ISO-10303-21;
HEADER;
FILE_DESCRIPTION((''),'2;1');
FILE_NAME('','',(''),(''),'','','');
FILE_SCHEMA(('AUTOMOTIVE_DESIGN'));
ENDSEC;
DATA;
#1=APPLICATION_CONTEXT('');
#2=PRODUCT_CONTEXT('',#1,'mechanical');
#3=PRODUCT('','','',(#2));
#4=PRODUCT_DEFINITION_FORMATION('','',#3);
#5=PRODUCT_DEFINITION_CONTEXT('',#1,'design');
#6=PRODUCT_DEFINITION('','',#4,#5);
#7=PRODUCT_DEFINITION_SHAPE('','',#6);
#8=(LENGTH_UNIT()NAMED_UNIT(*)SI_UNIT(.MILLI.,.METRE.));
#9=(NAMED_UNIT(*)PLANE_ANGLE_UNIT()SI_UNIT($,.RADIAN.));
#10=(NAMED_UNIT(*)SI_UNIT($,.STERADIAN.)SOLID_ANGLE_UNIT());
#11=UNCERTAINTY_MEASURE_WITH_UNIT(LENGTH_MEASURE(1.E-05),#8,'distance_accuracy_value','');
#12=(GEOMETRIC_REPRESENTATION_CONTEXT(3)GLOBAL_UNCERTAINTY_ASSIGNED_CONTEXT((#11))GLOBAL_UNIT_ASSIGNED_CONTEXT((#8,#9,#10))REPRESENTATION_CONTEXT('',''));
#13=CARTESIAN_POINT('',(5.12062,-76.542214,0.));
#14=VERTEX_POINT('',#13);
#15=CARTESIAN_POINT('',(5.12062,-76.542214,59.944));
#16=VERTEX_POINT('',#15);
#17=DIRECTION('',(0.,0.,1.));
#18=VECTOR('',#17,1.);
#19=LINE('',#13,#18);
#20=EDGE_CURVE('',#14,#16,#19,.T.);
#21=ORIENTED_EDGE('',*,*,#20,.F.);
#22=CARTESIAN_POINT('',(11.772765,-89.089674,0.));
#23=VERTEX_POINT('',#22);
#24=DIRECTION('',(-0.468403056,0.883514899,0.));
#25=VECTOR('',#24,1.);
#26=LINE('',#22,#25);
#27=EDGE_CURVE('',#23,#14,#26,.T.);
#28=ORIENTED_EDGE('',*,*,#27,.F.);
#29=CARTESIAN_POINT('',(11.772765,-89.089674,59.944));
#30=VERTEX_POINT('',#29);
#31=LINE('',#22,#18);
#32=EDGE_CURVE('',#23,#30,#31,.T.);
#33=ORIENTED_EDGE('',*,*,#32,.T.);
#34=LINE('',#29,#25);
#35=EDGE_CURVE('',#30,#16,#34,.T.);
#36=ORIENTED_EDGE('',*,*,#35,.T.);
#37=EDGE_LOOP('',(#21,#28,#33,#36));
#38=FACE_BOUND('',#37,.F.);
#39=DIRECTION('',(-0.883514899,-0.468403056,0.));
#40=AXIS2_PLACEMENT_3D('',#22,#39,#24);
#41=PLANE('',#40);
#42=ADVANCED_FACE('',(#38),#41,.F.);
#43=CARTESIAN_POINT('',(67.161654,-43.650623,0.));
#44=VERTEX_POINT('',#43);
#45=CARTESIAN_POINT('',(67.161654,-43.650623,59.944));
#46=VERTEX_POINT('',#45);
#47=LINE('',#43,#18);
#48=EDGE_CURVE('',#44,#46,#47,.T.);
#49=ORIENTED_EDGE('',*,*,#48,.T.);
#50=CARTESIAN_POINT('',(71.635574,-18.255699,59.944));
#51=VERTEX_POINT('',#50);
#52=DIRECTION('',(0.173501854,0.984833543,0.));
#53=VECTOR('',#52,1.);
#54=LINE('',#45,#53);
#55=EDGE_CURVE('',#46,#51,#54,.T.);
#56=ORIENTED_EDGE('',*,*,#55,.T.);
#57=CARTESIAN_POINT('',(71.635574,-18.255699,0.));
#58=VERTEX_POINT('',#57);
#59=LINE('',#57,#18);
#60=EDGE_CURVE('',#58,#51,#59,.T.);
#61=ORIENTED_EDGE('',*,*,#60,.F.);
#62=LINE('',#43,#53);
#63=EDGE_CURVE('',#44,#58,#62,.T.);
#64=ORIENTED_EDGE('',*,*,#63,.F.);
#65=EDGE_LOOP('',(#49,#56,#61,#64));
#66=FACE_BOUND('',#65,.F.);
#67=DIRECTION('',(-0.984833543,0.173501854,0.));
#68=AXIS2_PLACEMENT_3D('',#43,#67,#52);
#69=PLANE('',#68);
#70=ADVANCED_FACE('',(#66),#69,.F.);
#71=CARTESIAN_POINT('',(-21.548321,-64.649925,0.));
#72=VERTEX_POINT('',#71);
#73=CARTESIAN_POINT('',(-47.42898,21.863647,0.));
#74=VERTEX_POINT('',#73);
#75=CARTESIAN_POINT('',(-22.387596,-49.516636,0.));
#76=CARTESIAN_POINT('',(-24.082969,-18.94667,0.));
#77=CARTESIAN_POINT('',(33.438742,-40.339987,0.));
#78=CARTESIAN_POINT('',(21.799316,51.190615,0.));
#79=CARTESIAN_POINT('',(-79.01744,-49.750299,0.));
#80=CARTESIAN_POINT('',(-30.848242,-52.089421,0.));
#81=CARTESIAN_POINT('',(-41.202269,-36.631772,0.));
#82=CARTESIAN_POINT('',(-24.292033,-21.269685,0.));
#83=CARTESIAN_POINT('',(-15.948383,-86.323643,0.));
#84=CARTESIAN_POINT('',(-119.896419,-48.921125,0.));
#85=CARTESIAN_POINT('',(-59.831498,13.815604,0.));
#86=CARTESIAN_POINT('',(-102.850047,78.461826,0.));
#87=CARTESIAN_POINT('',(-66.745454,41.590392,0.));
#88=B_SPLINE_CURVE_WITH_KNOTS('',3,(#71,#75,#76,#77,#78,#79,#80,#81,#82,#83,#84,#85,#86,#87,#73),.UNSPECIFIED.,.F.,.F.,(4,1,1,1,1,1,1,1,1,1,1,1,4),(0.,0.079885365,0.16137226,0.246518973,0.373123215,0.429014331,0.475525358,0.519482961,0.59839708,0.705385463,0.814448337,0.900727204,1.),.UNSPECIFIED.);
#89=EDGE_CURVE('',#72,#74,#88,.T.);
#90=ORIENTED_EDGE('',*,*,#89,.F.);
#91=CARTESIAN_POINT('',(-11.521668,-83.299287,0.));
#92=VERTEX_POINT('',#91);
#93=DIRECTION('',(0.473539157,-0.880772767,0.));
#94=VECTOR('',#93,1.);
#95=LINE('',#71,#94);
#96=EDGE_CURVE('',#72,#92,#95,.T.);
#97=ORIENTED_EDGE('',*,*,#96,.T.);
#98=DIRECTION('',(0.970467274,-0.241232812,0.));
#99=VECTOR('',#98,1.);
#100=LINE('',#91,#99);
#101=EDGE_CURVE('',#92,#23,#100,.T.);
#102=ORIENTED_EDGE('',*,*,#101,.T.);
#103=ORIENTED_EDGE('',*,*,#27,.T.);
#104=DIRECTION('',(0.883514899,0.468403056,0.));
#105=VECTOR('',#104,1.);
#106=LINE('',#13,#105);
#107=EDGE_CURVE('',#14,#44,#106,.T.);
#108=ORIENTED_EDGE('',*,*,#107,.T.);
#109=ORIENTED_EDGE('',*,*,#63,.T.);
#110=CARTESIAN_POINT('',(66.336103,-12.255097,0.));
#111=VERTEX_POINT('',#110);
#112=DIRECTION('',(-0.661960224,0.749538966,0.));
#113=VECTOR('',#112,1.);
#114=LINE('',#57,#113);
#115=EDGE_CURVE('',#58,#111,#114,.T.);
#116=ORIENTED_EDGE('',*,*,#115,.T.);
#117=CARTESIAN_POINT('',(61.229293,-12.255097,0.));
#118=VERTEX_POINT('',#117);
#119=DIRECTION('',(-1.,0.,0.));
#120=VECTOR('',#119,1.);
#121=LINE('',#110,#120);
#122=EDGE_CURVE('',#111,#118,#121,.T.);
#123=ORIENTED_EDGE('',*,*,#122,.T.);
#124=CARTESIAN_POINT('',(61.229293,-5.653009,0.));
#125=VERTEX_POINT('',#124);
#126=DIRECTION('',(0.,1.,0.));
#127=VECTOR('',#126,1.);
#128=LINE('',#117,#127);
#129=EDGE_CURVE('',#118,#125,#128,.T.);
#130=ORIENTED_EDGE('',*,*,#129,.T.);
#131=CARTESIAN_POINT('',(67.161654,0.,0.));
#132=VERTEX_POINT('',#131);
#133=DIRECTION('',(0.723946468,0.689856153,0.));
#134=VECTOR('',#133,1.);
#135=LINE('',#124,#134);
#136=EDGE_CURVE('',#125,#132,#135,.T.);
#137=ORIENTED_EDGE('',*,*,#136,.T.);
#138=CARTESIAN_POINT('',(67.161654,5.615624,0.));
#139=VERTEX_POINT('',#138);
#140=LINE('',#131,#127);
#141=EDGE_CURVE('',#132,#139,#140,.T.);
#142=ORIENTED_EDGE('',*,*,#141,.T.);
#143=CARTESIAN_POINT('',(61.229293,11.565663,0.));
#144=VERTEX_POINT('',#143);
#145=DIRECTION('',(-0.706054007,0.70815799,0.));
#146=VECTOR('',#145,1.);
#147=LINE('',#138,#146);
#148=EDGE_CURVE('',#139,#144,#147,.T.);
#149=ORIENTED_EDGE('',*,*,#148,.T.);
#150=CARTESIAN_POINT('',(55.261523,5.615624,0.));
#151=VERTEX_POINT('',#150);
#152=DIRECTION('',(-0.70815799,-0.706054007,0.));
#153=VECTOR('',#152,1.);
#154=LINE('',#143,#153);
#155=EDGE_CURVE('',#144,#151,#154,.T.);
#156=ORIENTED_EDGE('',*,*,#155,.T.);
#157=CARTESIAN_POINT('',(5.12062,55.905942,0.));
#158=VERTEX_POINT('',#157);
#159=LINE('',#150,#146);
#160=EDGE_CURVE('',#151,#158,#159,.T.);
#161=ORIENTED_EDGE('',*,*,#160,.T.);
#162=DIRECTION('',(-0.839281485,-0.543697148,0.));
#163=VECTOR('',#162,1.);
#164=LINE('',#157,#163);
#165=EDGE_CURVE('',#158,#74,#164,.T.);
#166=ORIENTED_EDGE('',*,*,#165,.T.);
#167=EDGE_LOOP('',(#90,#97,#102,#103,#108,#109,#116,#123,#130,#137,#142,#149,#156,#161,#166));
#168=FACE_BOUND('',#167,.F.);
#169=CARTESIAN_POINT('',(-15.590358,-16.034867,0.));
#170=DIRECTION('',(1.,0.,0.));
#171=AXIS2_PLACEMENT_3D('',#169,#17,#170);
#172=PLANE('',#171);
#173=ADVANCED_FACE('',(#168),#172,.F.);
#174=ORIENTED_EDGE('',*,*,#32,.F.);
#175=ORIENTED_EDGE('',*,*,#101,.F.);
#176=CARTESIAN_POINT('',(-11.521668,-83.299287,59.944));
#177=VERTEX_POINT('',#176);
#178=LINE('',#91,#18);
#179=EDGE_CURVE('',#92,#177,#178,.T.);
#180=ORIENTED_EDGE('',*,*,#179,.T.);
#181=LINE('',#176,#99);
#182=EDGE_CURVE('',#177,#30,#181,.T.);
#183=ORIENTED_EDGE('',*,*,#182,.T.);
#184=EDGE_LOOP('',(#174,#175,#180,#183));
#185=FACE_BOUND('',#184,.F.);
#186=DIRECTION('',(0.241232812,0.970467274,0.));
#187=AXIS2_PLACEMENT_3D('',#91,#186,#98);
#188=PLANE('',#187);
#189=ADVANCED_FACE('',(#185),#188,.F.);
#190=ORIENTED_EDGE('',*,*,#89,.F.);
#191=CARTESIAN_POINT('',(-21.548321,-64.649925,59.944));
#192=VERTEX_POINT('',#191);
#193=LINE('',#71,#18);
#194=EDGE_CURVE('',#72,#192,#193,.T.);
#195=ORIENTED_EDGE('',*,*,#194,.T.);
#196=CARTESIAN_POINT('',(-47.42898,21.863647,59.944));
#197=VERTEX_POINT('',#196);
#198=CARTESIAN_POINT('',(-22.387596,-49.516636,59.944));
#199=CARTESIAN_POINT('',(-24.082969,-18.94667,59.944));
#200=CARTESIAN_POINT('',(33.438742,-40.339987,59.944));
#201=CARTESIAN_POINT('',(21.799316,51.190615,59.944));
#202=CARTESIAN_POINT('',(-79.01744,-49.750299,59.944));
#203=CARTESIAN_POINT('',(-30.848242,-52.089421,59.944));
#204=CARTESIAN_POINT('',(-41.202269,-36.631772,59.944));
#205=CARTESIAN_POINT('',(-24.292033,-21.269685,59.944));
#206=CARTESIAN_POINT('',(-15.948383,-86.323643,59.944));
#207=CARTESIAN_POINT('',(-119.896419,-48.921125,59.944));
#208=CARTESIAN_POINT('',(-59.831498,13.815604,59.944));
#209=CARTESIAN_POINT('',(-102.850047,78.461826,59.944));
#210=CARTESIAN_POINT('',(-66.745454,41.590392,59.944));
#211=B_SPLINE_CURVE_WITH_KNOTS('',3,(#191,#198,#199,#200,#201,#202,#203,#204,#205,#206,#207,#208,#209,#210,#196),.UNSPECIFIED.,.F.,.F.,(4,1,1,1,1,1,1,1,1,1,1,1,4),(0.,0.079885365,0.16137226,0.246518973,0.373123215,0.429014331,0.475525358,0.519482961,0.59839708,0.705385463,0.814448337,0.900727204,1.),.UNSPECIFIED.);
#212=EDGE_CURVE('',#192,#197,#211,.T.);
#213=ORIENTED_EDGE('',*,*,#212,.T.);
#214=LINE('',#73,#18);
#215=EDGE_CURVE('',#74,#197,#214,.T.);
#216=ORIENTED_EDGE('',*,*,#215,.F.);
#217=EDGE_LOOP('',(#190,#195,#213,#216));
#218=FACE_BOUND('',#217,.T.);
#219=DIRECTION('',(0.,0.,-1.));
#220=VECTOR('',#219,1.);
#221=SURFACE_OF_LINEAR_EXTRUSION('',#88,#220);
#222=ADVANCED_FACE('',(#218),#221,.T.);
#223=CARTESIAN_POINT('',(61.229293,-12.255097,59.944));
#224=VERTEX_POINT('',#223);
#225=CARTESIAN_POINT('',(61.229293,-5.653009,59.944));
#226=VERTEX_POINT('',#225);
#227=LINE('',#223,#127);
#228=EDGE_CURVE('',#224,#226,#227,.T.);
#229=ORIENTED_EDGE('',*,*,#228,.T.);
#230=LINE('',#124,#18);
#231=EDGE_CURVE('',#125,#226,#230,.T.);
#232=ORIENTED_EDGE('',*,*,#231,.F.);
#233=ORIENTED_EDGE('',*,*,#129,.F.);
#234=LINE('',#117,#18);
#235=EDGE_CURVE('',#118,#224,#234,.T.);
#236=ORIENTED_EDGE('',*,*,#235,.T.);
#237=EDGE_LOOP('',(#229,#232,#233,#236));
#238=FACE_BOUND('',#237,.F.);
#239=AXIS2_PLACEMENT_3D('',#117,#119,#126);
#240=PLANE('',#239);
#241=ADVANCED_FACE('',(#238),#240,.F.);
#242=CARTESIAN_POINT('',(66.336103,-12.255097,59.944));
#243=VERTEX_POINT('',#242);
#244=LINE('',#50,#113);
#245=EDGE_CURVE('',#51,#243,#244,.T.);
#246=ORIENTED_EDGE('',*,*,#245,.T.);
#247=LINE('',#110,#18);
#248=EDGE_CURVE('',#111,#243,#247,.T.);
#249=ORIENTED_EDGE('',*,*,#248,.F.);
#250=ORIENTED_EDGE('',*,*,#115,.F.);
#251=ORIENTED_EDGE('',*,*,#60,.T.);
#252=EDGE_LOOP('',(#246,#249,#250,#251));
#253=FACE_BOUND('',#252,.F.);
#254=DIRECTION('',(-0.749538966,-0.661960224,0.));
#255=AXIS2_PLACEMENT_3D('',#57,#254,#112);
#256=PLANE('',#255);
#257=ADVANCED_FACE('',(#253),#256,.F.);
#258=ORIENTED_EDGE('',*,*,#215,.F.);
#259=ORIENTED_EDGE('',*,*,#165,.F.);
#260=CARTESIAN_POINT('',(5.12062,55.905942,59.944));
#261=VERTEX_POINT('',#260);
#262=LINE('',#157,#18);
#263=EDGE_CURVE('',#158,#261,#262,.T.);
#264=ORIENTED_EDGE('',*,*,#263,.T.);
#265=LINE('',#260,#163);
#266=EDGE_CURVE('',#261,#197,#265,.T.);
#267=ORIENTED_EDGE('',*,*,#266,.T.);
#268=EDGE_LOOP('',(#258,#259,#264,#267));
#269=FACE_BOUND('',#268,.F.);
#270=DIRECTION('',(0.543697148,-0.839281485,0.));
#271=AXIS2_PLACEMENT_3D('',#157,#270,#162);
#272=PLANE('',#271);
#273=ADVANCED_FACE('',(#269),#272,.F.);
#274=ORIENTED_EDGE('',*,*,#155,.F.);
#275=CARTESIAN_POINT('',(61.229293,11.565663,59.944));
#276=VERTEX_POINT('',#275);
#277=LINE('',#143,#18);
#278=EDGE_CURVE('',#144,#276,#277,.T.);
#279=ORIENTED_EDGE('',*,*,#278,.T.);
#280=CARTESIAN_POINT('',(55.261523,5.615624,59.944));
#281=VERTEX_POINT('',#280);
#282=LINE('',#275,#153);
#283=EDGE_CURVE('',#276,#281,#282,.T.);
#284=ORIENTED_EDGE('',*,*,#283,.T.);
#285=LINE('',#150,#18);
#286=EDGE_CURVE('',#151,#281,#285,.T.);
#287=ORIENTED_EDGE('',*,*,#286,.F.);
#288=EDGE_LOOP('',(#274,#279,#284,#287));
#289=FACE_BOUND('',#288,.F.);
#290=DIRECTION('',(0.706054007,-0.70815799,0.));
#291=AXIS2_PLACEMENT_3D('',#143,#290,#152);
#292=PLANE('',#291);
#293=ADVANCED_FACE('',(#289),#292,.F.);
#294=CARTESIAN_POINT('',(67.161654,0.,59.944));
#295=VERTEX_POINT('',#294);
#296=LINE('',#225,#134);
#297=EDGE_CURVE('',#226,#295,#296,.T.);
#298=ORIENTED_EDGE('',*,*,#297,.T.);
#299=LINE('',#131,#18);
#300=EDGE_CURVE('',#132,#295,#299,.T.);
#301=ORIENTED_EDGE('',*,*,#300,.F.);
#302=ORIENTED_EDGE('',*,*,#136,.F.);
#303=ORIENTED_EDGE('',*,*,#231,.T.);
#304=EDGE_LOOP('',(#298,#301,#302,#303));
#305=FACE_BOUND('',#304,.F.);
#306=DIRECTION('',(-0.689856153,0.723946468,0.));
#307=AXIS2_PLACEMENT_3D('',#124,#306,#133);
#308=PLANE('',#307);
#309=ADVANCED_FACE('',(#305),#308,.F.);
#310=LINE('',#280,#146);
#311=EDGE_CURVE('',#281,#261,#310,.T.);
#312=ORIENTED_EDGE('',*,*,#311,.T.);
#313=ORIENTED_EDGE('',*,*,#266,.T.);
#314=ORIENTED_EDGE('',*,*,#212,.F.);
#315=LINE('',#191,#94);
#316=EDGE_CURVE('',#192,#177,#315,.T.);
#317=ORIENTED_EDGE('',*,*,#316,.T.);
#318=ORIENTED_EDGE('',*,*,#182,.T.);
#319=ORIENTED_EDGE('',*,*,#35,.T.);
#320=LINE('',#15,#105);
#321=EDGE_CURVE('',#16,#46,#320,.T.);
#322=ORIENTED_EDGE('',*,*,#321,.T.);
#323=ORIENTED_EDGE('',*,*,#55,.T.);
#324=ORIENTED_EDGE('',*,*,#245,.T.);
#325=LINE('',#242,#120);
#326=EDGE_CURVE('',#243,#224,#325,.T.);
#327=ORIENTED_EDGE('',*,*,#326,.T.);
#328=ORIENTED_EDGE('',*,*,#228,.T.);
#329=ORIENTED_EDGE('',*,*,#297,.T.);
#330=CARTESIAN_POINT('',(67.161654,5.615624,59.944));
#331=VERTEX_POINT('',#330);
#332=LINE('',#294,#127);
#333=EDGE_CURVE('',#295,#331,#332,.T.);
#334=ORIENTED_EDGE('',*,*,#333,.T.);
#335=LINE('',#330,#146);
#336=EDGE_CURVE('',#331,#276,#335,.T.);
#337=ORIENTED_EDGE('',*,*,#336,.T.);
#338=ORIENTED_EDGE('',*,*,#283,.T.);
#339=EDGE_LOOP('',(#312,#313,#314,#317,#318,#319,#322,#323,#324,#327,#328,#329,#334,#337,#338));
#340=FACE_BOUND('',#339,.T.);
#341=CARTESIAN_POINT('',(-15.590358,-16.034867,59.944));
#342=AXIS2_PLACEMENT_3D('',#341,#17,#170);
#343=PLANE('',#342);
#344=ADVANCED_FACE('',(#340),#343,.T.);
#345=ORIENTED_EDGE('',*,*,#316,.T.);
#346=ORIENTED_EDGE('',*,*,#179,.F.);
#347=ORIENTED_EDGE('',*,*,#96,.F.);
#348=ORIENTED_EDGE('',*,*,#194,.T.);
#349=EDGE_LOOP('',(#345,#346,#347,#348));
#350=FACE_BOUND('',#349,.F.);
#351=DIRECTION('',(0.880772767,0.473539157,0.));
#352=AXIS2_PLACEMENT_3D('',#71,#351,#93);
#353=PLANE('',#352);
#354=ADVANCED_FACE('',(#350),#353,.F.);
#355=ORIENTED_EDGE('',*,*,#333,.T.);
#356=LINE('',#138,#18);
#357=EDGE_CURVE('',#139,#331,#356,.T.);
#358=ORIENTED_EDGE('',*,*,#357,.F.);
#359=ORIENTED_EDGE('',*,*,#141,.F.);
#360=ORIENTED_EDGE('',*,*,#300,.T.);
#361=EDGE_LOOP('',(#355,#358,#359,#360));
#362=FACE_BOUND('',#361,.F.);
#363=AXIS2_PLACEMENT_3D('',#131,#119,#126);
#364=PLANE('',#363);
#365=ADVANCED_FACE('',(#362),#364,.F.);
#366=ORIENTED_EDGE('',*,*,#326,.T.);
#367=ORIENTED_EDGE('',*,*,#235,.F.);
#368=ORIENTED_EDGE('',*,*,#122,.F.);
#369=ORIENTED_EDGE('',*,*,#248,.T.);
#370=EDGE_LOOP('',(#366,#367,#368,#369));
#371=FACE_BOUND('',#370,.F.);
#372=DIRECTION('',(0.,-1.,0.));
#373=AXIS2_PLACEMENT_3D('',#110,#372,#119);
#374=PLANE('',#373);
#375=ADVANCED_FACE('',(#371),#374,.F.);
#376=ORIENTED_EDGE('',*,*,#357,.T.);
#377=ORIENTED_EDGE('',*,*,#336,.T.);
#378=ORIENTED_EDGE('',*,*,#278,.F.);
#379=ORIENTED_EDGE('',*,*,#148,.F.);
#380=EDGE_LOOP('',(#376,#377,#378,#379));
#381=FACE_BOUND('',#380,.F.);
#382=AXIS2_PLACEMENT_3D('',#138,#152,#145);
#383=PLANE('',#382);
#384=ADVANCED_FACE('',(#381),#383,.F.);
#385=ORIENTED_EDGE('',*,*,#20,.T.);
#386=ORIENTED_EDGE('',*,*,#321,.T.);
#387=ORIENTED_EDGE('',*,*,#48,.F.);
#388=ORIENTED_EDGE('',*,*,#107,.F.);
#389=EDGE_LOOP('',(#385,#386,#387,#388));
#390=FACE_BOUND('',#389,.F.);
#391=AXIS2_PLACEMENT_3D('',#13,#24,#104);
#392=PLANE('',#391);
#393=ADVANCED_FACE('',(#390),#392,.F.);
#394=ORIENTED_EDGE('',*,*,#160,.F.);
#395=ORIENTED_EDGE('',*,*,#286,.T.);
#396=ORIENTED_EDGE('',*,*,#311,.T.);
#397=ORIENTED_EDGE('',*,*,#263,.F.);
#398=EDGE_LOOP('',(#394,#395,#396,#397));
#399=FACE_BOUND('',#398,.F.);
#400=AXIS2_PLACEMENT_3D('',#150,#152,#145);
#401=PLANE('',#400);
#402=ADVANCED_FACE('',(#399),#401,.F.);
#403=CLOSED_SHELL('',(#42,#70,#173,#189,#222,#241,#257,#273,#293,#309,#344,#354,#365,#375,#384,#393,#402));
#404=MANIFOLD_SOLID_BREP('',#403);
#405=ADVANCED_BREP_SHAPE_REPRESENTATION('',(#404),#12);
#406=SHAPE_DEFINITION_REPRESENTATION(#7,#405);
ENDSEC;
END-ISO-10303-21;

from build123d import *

# Parameters (mm, degrees)
F1_DEPTH = 59.944


with BuildPart() as f1:
    # F0 (on Top) → F1 (new body)
    with BuildSketch(Plane.XY):
        with BuildLine():
            Line((5.1206201315, 55.9059418738), (-47.4289804697, 21.8636468053))
            add(Edge.make_bspline(
                [(-21.5483214706, -64.6499246359), (-22.3875955835, -49.5166363967), (-24.0829694624, -18.9466698163), (33.4387416563, -40.3399871406), (21.7993162663, 51.1906153976), (-79.0174400305, -49.7502994721), (-30.8482418457, -52.0894206669), (-41.2022690621, -36.6317717386), (-24.2920330324, -21.2696852473), (-15.9483827914, -86.3236431863), (-119.8964194907, -48.9211247678), (-59.831497865, 13.8156035307), (-102.8500465834, 78.4618255154), (-66.745454218, 41.5903917043), (-47.4289804697, 21.8636468053)],
                knots=[0, 0, 0, 0, 0.0798853645, 0.1613722599, 0.2465189732, 0.3731232153, 0.4290143311, 0.4755253576, 0.5194829611, 0.5983970803, 0.7053854628, 0.8144483374, 0.9007272044, 1, 1, 1, 1], degree=3))
            Line((-21.5483214706, -64.6499246359), (-11.5216681734, -83.2992866635))
            Line((-11.5216681734, -83.2992866635), (11.7727647571, -89.0896741545))
            Line((11.7727647571, -89.0896741545), (5.1206201315, -76.5422135592))
            Line((5.1206201315, -76.5422135592), (67.1616541936, -43.6506234109))
            Line((67.1616541936, -43.6506234109), (71.6355741024, -18.2556994259))
            Line((71.6355741024, -18.2556994259), (66.3361027837, -12.2550968081))
            Line((66.3361027837, -12.2550968081), (61.2292926563, -12.2550968081))
            Line((61.2292926563, -12.2550968081), (61.2292926563, -5.6530092843))
            Line((61.2292926563, -5.6530092843), (67.1616541936, 0))
            Line((67.1616541936, 0), (67.1616541936, 5.6156236678))
            Line((67.1616541936, 5.6156236678), (61.2292926563, 11.5656631595))
            Line((61.2292926563, 11.5656631595), (55.2615225315, 5.6156236678))
            Line((55.2615225315, 5.6156236678), (5.1206201315, 55.9059418738))
        make_face()
    extrude(amount=F1_DEPTH)


solid = f1.part
